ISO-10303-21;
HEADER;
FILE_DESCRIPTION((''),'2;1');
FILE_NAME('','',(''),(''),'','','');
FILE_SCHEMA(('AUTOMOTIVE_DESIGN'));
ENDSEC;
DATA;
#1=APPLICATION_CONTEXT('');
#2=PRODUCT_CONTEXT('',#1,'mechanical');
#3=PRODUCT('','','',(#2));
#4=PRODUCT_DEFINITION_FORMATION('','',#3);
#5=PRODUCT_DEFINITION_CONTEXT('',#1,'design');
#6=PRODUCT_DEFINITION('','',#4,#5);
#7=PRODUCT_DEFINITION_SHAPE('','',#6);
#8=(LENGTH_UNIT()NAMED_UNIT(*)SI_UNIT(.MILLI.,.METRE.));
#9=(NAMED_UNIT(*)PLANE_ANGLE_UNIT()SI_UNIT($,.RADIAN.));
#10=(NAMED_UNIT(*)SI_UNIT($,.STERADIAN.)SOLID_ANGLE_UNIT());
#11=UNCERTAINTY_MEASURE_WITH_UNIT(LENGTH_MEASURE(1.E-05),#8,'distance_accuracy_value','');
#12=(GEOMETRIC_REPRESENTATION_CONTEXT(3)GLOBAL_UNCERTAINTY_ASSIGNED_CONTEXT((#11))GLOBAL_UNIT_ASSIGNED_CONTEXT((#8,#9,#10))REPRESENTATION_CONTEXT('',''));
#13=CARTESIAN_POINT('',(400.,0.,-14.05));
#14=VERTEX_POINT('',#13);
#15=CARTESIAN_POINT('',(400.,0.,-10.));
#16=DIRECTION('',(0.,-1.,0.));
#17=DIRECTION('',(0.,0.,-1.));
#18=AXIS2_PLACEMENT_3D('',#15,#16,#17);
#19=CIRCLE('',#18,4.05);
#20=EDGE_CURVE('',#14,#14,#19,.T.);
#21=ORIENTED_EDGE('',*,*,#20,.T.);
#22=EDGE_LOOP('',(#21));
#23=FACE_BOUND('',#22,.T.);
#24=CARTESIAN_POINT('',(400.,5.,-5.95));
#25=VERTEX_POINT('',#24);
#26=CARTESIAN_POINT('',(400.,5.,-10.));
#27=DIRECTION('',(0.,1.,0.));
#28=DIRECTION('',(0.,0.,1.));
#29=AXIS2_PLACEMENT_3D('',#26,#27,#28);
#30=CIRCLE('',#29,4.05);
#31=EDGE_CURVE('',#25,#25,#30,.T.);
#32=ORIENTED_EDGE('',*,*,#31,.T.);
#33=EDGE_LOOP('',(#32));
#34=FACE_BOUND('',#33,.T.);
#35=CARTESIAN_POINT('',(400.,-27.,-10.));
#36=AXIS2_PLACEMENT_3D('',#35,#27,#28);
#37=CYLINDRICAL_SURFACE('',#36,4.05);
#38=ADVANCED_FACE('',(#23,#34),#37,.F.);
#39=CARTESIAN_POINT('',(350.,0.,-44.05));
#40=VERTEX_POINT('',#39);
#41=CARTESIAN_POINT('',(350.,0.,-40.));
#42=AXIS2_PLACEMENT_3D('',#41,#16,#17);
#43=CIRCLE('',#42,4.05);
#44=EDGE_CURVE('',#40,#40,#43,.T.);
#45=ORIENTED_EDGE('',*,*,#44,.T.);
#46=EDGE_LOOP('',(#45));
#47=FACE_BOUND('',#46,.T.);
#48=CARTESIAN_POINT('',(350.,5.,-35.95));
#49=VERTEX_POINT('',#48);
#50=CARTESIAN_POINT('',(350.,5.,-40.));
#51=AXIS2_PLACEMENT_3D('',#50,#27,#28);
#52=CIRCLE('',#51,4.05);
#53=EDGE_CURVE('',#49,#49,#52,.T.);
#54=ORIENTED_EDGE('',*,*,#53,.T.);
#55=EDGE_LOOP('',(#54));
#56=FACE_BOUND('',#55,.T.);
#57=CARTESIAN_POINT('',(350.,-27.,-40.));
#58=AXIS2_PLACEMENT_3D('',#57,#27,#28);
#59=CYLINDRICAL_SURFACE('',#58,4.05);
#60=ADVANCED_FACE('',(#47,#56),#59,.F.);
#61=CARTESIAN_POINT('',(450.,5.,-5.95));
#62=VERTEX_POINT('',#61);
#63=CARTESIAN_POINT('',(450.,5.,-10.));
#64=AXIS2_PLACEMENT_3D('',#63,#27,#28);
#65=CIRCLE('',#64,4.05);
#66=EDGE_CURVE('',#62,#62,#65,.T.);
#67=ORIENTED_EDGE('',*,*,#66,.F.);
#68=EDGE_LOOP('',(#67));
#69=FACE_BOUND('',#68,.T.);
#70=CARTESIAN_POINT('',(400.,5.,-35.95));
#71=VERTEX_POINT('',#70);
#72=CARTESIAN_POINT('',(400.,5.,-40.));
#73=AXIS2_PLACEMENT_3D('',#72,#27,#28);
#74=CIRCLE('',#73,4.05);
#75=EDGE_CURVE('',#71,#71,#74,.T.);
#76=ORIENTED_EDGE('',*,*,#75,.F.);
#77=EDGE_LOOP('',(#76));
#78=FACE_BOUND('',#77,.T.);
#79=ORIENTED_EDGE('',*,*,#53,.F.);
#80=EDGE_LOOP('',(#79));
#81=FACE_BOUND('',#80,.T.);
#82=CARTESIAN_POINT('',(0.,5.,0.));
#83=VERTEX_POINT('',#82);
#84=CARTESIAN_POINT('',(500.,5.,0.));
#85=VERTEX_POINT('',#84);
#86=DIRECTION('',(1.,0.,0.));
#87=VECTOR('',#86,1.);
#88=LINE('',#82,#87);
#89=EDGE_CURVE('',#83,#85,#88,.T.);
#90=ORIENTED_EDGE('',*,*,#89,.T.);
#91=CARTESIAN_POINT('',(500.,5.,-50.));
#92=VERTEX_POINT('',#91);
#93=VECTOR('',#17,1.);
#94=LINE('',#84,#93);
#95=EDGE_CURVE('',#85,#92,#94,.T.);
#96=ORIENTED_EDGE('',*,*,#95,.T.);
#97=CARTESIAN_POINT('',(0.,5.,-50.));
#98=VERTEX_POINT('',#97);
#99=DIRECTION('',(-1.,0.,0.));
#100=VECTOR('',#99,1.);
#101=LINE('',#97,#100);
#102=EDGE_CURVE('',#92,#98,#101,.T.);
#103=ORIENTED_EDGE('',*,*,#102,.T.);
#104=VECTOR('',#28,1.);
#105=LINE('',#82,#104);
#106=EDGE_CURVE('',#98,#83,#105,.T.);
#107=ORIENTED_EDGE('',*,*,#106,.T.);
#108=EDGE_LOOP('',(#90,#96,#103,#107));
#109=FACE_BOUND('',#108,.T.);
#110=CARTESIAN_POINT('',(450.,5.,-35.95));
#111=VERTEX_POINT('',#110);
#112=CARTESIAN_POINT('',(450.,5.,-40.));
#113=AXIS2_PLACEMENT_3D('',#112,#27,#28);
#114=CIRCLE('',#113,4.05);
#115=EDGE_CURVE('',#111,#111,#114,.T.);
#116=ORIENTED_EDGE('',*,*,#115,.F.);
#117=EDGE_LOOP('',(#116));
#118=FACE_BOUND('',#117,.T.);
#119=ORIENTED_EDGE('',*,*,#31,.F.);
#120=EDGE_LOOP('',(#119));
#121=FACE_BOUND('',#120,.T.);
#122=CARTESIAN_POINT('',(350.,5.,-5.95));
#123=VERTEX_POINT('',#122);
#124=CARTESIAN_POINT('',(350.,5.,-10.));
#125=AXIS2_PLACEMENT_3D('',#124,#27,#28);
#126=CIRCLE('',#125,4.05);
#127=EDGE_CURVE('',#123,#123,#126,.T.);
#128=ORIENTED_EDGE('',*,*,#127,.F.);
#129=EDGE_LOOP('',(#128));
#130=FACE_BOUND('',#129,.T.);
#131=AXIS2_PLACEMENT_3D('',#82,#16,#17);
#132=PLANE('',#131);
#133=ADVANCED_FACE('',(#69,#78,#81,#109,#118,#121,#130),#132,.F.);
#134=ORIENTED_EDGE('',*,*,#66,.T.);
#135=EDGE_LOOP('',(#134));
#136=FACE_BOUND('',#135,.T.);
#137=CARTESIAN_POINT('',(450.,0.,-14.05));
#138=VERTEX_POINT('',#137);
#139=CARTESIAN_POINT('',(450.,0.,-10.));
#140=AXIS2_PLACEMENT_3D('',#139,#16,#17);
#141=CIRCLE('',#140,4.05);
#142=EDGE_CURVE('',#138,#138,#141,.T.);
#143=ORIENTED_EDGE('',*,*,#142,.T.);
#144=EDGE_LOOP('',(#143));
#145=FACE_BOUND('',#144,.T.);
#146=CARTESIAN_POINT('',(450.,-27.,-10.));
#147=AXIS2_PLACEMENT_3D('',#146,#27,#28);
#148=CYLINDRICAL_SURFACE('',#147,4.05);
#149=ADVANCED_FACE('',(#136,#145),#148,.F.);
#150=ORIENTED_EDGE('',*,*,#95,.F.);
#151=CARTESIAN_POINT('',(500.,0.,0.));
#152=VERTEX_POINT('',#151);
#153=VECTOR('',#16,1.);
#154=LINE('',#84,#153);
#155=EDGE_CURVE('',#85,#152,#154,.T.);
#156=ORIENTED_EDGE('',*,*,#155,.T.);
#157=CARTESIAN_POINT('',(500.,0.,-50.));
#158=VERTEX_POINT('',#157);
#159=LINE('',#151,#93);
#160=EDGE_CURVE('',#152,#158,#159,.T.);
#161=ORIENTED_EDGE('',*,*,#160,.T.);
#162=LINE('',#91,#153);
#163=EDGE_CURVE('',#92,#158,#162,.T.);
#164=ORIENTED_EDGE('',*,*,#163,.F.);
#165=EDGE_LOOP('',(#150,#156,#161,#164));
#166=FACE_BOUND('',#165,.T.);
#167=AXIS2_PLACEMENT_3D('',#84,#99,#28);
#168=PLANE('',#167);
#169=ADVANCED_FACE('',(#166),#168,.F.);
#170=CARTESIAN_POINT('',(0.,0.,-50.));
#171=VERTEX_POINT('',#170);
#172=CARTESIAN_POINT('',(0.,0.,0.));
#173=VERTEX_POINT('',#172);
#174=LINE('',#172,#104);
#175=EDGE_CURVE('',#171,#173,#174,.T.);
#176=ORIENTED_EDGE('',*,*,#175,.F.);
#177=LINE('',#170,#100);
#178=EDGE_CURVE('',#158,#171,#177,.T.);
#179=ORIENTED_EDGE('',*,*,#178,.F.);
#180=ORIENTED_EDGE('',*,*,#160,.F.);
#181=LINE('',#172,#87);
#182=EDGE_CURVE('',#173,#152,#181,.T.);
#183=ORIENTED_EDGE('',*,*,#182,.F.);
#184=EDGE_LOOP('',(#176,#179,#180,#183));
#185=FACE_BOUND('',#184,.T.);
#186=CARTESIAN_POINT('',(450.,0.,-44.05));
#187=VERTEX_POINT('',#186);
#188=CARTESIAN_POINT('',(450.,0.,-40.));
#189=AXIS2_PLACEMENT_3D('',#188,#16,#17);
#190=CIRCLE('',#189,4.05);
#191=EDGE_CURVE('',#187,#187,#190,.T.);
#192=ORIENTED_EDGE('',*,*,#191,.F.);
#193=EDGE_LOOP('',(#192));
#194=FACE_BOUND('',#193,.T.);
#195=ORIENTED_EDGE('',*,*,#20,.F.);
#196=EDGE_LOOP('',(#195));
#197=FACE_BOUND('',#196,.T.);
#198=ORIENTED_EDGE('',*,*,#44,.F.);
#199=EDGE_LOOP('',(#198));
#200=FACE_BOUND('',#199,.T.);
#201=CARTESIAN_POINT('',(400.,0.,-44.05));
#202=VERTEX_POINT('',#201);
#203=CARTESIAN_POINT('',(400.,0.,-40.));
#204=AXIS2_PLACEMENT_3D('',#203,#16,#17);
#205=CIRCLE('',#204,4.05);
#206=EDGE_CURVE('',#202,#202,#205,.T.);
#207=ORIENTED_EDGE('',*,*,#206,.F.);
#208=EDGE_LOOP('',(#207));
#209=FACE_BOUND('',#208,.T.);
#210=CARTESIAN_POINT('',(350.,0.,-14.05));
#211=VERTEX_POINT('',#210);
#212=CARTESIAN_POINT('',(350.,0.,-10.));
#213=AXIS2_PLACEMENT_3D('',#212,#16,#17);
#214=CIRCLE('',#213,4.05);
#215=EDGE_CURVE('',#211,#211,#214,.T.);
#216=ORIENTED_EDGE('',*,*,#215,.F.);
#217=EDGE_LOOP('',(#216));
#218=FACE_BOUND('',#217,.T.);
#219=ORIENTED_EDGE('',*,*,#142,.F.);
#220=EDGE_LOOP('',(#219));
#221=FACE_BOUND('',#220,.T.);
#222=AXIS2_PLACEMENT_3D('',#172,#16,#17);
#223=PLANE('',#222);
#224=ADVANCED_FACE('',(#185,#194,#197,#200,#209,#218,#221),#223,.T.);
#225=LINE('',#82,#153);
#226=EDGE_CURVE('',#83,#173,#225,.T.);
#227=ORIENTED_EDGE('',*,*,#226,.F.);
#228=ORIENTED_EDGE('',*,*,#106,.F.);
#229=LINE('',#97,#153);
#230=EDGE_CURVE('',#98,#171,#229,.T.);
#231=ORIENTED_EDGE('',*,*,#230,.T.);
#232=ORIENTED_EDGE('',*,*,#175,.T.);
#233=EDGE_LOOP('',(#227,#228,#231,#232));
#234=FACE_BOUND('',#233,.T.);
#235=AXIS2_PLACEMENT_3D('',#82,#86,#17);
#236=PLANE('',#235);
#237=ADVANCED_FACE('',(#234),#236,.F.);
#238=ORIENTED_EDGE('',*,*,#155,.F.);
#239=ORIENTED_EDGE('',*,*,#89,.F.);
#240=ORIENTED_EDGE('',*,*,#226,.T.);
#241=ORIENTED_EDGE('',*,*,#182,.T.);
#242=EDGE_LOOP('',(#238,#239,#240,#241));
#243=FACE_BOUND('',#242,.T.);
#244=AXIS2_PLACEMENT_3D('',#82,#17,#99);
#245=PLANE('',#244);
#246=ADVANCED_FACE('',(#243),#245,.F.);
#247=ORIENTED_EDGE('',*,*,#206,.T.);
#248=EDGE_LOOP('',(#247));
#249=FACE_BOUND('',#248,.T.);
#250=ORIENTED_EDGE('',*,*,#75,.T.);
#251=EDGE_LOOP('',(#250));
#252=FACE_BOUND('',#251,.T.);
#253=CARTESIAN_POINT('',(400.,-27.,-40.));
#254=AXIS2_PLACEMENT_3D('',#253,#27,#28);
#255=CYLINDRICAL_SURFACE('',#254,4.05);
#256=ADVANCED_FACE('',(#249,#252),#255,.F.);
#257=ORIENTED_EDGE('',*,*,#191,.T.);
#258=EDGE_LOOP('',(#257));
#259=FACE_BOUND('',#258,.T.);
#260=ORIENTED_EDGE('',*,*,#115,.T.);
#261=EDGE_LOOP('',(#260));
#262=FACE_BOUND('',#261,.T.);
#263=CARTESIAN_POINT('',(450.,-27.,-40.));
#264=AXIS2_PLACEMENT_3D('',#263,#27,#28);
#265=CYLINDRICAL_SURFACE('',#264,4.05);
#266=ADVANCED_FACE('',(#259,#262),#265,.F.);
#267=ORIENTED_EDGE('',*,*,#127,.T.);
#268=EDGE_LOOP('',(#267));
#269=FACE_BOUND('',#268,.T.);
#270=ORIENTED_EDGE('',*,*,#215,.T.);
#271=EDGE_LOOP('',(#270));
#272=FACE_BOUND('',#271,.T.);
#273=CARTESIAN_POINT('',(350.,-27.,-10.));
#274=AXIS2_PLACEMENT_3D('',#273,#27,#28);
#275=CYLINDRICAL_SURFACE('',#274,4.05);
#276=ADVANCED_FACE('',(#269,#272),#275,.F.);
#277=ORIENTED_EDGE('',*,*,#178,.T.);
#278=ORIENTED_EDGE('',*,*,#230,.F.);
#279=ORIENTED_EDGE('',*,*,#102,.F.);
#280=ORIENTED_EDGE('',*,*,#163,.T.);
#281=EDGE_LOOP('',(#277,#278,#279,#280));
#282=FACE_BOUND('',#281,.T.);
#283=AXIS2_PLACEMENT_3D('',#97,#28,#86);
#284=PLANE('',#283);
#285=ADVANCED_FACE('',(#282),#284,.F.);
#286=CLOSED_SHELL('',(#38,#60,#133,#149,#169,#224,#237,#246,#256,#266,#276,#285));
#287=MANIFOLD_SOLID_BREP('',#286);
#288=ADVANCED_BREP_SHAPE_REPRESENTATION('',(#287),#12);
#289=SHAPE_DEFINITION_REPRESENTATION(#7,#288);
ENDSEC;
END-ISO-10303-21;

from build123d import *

# Parameters (mm, degrees)
SKETCH1_W           = 500
SKETCH1_H           = 50
BOSS_EXTRUDE1_DEPTH = 5
SKETCH2_R           = 4.05
CUT_EXTRUDE1_DEPTH  = 32


with BuildPart() as part:
    # Sketch1 → Boss-Extrude1 (new body)
    with BuildSketch(Plane(origin=(0, 0, 0), x_dir=(1, 0, 0), z_dir=(0, 1, 0))):
        with Locations((250, 25)):
            Rectangle(SKETCH1_W, SKETCH1_H)
    extrude(amount=BOSS_EXTRUDE1_DEPTH)

    # Sketch2 → Cut-Extrude1 (cut)
    with BuildSketch(Plane(origin=(0, 5, 0), x_dir=(1, 0, 0), z_dir=(0, 1, 0))):
        with Locations(Location((450, 10, 0), (0, 0, 270))):
            Circle(SKETCH2_R)
        with Locations(Location((450, 40, 0), (0, 0, 270))):
            Circle(SKETCH2_R)
        with Locations(Location((400, 40, 0), (0, 0, 270))):
            Circle(SKETCH2_R)
        with Locations(Location((400, 10, 0), (0, 0, 270))):
            Circle(SKETCH2_R)
        with Locations(Location((350, 40, 0), (0, 0, 270))):
            Circle(SKETCH2_R)
        with Locations(Location((350, 10, 0), (0, 0, 270))):
            Circle(SKETCH2_R)
    extrude(amount=-CUT_EXTRUDE1_DEPTH, mode=Mode.SUBTRACT)


solid = part.part
